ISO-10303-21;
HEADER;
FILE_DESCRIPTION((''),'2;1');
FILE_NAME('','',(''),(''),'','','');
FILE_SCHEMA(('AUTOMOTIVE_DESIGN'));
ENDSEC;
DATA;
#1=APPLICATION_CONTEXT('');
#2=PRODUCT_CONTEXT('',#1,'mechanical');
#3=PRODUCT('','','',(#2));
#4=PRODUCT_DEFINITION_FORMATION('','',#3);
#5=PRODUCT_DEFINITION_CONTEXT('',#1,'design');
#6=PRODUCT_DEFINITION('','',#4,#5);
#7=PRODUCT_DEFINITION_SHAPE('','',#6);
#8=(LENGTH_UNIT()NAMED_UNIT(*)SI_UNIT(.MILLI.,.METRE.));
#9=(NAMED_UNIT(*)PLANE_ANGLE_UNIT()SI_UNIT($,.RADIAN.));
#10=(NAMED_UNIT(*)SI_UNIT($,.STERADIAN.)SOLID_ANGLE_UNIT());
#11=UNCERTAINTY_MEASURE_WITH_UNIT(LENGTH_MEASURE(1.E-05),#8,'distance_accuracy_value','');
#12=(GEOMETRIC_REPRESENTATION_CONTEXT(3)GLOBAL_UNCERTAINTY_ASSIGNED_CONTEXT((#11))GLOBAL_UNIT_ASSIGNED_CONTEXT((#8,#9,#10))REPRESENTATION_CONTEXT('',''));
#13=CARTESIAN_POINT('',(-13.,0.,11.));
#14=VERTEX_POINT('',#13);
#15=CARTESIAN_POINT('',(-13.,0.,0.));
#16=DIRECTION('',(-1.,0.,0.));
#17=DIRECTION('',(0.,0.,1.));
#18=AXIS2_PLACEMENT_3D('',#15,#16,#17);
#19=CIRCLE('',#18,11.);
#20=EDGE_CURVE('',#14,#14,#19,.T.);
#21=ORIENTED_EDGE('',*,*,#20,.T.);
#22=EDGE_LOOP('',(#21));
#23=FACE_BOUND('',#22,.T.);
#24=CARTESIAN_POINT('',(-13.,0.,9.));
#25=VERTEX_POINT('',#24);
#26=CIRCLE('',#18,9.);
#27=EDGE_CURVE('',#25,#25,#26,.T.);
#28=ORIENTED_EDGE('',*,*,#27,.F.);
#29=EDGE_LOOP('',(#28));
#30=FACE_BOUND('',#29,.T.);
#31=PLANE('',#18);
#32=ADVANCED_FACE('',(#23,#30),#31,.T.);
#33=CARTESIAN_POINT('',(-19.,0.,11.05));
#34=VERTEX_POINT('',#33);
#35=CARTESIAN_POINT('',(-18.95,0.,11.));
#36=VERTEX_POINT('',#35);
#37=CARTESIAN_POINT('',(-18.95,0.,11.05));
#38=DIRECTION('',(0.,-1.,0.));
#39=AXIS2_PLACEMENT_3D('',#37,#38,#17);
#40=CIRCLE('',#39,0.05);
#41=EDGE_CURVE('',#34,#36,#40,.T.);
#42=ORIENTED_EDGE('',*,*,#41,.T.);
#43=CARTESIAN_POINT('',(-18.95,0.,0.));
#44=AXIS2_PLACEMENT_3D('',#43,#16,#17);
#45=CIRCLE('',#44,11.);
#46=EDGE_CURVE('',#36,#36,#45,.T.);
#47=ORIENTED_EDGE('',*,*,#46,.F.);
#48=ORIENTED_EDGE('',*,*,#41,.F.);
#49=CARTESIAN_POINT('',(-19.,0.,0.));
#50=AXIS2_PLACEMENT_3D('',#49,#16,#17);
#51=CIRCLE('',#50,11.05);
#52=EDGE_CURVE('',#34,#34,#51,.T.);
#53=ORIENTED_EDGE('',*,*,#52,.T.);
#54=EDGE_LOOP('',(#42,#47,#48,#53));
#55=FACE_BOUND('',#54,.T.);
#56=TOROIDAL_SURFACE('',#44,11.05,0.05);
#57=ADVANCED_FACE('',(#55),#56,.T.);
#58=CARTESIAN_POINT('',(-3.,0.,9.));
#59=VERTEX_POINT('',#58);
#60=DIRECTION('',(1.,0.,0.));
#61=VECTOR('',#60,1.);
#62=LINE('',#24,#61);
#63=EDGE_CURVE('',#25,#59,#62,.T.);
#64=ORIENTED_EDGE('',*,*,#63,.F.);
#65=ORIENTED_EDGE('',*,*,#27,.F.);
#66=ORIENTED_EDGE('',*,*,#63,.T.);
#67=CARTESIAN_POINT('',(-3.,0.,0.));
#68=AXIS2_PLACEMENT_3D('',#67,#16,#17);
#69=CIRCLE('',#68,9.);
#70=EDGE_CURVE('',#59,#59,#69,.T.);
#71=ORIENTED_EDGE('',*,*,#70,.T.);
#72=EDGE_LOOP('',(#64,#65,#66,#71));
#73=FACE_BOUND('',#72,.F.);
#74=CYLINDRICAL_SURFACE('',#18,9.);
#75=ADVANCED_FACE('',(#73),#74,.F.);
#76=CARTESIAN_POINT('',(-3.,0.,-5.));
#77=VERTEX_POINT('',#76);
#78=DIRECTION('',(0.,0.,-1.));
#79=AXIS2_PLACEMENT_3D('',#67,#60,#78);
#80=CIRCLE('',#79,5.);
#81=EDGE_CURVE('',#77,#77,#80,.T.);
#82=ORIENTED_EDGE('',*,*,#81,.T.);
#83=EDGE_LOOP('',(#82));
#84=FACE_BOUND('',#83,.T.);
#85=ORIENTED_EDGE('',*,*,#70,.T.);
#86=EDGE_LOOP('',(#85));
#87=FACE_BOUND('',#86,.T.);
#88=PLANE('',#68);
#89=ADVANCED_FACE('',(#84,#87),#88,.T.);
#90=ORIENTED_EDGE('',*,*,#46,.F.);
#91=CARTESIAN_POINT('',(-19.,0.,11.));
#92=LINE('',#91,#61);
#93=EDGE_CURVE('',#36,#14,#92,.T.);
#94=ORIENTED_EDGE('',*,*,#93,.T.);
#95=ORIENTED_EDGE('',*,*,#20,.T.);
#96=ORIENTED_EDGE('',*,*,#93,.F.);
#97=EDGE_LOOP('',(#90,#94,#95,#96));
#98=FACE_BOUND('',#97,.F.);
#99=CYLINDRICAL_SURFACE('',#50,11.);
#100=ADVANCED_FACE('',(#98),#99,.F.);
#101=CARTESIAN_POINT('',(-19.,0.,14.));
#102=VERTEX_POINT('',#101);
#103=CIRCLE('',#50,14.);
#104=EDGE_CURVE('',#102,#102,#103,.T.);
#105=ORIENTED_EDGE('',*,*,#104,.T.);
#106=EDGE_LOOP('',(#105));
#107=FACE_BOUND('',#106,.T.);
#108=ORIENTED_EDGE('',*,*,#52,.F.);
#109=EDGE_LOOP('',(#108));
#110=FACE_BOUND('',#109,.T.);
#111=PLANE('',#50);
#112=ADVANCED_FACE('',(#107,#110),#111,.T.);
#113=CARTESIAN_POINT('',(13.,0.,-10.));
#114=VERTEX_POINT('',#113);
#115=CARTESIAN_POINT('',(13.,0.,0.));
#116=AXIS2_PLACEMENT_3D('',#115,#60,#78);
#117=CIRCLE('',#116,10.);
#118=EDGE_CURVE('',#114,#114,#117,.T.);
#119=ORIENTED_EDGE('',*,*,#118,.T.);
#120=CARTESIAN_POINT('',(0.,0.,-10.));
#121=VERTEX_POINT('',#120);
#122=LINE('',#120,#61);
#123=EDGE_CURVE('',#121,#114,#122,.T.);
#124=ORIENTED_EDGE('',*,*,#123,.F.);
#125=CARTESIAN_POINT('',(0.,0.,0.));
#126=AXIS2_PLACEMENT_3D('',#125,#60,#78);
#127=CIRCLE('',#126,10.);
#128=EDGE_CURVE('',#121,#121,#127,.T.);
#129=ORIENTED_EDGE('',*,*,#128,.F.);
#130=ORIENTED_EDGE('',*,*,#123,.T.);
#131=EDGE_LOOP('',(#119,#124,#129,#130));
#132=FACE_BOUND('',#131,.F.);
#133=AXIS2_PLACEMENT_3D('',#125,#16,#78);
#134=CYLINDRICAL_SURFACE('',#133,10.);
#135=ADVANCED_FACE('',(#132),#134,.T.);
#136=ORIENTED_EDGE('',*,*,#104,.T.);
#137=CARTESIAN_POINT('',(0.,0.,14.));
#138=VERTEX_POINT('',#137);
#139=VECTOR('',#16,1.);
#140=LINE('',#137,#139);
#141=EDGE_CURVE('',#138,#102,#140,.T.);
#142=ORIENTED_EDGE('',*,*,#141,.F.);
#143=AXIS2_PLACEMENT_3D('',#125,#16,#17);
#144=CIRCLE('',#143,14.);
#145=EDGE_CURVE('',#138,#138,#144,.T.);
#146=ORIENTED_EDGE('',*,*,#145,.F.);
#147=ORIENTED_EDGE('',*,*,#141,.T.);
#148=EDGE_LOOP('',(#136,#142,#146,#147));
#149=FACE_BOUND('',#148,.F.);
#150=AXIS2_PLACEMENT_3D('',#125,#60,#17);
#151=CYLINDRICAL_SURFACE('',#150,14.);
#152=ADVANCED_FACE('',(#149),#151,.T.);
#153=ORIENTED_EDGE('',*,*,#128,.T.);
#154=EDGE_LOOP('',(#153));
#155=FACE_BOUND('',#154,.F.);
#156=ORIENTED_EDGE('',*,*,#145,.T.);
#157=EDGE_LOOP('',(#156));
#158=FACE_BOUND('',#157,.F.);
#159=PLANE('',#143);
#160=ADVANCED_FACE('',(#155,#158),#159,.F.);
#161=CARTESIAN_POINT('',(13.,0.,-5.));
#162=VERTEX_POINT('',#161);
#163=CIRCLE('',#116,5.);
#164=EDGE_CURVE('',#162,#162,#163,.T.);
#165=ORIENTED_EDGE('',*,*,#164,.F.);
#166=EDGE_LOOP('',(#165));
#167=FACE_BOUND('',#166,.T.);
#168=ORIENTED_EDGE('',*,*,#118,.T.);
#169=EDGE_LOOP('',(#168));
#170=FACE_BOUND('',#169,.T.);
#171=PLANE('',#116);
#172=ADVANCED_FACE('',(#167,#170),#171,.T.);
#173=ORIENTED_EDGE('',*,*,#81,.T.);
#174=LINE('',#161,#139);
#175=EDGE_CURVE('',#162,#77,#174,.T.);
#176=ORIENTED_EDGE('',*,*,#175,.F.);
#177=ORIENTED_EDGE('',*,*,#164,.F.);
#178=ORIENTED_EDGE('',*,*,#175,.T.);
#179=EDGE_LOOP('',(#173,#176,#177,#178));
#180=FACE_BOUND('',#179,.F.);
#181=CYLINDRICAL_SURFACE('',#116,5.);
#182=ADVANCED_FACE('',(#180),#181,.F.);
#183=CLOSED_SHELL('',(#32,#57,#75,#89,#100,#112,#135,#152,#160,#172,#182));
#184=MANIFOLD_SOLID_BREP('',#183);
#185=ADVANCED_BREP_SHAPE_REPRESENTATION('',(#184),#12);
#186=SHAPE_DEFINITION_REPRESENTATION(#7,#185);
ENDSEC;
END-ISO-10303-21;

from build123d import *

# Parameters (mm, degrees)
SKETCH1_R           = 10
BOSS_EXTRUDE1_DEPTH = 13
SKETCH2_R           = 14
BOSS_EXTRUDE2_DEPTH = 19
SKETCH3_R           = 11
CUT_EXTRUDE1_DEPTH  = 6
SKETCH4_R           = 9
CUT_EXTRUDE2_DEPTH  = 10
SKETCH5_R           = 5
CUT_EXTRUDE3_DEPTH  = 33
FILLET1_R           = 0.05


with BuildPart() as part:
    # Sketch1 → Boss-Extrude1 (new body)
    with BuildSketch(Plane(origin=(0, 0, 0), x_dir=(0, 0, -1), z_dir=(1, 0, 0))):
        Circle(SKETCH1_R)
    extrude(amount=BOSS_EXTRUDE1_DEPTH)

    # Sketch2 → Boss-Extrude2 (add)
    with BuildSketch(Plane.ZY):
        Circle(SKETCH2_R)
    extrude(amount=BOSS_EXTRUDE2_DEPTH)

    # Sketch3 → Cut-Extrude1 (cut)
    with BuildSketch(Plane.ZY.offset(19)):
        Circle(SKETCH3_R)
    extrude(amount=-CUT_EXTRUDE1_DEPTH, mode=Mode.SUBTRACT)

    # Sketch4 → Cut-Extrude2 (cut)
    with BuildSketch(Plane.ZY.offset(13)):
        Circle(SKETCH4_R)
    extrude(amount=-CUT_EXTRUDE2_DEPTH, mode=Mode.SUBTRACT)

    # Sketch5 → Cut-Extrude3 (cut, through all)
    with BuildSketch(Plane(origin=(13, 0, 0), x_dir=(0, 0, -1), z_dir=(1, 0, 0))):
        Circle(SKETCH5_R)
    extrude(amount=-CUT_EXTRUDE3_DEPTH, mode=Mode.SUBTRACT)

    # Fillet1
    fillet1_edges = [part.edges().sort_by_distance(p)[0] for p in [
        (-19, 0, -11),
    ]]
    fillet(fillet1_edges, radius=FILLET1_R)


solid = part.part
